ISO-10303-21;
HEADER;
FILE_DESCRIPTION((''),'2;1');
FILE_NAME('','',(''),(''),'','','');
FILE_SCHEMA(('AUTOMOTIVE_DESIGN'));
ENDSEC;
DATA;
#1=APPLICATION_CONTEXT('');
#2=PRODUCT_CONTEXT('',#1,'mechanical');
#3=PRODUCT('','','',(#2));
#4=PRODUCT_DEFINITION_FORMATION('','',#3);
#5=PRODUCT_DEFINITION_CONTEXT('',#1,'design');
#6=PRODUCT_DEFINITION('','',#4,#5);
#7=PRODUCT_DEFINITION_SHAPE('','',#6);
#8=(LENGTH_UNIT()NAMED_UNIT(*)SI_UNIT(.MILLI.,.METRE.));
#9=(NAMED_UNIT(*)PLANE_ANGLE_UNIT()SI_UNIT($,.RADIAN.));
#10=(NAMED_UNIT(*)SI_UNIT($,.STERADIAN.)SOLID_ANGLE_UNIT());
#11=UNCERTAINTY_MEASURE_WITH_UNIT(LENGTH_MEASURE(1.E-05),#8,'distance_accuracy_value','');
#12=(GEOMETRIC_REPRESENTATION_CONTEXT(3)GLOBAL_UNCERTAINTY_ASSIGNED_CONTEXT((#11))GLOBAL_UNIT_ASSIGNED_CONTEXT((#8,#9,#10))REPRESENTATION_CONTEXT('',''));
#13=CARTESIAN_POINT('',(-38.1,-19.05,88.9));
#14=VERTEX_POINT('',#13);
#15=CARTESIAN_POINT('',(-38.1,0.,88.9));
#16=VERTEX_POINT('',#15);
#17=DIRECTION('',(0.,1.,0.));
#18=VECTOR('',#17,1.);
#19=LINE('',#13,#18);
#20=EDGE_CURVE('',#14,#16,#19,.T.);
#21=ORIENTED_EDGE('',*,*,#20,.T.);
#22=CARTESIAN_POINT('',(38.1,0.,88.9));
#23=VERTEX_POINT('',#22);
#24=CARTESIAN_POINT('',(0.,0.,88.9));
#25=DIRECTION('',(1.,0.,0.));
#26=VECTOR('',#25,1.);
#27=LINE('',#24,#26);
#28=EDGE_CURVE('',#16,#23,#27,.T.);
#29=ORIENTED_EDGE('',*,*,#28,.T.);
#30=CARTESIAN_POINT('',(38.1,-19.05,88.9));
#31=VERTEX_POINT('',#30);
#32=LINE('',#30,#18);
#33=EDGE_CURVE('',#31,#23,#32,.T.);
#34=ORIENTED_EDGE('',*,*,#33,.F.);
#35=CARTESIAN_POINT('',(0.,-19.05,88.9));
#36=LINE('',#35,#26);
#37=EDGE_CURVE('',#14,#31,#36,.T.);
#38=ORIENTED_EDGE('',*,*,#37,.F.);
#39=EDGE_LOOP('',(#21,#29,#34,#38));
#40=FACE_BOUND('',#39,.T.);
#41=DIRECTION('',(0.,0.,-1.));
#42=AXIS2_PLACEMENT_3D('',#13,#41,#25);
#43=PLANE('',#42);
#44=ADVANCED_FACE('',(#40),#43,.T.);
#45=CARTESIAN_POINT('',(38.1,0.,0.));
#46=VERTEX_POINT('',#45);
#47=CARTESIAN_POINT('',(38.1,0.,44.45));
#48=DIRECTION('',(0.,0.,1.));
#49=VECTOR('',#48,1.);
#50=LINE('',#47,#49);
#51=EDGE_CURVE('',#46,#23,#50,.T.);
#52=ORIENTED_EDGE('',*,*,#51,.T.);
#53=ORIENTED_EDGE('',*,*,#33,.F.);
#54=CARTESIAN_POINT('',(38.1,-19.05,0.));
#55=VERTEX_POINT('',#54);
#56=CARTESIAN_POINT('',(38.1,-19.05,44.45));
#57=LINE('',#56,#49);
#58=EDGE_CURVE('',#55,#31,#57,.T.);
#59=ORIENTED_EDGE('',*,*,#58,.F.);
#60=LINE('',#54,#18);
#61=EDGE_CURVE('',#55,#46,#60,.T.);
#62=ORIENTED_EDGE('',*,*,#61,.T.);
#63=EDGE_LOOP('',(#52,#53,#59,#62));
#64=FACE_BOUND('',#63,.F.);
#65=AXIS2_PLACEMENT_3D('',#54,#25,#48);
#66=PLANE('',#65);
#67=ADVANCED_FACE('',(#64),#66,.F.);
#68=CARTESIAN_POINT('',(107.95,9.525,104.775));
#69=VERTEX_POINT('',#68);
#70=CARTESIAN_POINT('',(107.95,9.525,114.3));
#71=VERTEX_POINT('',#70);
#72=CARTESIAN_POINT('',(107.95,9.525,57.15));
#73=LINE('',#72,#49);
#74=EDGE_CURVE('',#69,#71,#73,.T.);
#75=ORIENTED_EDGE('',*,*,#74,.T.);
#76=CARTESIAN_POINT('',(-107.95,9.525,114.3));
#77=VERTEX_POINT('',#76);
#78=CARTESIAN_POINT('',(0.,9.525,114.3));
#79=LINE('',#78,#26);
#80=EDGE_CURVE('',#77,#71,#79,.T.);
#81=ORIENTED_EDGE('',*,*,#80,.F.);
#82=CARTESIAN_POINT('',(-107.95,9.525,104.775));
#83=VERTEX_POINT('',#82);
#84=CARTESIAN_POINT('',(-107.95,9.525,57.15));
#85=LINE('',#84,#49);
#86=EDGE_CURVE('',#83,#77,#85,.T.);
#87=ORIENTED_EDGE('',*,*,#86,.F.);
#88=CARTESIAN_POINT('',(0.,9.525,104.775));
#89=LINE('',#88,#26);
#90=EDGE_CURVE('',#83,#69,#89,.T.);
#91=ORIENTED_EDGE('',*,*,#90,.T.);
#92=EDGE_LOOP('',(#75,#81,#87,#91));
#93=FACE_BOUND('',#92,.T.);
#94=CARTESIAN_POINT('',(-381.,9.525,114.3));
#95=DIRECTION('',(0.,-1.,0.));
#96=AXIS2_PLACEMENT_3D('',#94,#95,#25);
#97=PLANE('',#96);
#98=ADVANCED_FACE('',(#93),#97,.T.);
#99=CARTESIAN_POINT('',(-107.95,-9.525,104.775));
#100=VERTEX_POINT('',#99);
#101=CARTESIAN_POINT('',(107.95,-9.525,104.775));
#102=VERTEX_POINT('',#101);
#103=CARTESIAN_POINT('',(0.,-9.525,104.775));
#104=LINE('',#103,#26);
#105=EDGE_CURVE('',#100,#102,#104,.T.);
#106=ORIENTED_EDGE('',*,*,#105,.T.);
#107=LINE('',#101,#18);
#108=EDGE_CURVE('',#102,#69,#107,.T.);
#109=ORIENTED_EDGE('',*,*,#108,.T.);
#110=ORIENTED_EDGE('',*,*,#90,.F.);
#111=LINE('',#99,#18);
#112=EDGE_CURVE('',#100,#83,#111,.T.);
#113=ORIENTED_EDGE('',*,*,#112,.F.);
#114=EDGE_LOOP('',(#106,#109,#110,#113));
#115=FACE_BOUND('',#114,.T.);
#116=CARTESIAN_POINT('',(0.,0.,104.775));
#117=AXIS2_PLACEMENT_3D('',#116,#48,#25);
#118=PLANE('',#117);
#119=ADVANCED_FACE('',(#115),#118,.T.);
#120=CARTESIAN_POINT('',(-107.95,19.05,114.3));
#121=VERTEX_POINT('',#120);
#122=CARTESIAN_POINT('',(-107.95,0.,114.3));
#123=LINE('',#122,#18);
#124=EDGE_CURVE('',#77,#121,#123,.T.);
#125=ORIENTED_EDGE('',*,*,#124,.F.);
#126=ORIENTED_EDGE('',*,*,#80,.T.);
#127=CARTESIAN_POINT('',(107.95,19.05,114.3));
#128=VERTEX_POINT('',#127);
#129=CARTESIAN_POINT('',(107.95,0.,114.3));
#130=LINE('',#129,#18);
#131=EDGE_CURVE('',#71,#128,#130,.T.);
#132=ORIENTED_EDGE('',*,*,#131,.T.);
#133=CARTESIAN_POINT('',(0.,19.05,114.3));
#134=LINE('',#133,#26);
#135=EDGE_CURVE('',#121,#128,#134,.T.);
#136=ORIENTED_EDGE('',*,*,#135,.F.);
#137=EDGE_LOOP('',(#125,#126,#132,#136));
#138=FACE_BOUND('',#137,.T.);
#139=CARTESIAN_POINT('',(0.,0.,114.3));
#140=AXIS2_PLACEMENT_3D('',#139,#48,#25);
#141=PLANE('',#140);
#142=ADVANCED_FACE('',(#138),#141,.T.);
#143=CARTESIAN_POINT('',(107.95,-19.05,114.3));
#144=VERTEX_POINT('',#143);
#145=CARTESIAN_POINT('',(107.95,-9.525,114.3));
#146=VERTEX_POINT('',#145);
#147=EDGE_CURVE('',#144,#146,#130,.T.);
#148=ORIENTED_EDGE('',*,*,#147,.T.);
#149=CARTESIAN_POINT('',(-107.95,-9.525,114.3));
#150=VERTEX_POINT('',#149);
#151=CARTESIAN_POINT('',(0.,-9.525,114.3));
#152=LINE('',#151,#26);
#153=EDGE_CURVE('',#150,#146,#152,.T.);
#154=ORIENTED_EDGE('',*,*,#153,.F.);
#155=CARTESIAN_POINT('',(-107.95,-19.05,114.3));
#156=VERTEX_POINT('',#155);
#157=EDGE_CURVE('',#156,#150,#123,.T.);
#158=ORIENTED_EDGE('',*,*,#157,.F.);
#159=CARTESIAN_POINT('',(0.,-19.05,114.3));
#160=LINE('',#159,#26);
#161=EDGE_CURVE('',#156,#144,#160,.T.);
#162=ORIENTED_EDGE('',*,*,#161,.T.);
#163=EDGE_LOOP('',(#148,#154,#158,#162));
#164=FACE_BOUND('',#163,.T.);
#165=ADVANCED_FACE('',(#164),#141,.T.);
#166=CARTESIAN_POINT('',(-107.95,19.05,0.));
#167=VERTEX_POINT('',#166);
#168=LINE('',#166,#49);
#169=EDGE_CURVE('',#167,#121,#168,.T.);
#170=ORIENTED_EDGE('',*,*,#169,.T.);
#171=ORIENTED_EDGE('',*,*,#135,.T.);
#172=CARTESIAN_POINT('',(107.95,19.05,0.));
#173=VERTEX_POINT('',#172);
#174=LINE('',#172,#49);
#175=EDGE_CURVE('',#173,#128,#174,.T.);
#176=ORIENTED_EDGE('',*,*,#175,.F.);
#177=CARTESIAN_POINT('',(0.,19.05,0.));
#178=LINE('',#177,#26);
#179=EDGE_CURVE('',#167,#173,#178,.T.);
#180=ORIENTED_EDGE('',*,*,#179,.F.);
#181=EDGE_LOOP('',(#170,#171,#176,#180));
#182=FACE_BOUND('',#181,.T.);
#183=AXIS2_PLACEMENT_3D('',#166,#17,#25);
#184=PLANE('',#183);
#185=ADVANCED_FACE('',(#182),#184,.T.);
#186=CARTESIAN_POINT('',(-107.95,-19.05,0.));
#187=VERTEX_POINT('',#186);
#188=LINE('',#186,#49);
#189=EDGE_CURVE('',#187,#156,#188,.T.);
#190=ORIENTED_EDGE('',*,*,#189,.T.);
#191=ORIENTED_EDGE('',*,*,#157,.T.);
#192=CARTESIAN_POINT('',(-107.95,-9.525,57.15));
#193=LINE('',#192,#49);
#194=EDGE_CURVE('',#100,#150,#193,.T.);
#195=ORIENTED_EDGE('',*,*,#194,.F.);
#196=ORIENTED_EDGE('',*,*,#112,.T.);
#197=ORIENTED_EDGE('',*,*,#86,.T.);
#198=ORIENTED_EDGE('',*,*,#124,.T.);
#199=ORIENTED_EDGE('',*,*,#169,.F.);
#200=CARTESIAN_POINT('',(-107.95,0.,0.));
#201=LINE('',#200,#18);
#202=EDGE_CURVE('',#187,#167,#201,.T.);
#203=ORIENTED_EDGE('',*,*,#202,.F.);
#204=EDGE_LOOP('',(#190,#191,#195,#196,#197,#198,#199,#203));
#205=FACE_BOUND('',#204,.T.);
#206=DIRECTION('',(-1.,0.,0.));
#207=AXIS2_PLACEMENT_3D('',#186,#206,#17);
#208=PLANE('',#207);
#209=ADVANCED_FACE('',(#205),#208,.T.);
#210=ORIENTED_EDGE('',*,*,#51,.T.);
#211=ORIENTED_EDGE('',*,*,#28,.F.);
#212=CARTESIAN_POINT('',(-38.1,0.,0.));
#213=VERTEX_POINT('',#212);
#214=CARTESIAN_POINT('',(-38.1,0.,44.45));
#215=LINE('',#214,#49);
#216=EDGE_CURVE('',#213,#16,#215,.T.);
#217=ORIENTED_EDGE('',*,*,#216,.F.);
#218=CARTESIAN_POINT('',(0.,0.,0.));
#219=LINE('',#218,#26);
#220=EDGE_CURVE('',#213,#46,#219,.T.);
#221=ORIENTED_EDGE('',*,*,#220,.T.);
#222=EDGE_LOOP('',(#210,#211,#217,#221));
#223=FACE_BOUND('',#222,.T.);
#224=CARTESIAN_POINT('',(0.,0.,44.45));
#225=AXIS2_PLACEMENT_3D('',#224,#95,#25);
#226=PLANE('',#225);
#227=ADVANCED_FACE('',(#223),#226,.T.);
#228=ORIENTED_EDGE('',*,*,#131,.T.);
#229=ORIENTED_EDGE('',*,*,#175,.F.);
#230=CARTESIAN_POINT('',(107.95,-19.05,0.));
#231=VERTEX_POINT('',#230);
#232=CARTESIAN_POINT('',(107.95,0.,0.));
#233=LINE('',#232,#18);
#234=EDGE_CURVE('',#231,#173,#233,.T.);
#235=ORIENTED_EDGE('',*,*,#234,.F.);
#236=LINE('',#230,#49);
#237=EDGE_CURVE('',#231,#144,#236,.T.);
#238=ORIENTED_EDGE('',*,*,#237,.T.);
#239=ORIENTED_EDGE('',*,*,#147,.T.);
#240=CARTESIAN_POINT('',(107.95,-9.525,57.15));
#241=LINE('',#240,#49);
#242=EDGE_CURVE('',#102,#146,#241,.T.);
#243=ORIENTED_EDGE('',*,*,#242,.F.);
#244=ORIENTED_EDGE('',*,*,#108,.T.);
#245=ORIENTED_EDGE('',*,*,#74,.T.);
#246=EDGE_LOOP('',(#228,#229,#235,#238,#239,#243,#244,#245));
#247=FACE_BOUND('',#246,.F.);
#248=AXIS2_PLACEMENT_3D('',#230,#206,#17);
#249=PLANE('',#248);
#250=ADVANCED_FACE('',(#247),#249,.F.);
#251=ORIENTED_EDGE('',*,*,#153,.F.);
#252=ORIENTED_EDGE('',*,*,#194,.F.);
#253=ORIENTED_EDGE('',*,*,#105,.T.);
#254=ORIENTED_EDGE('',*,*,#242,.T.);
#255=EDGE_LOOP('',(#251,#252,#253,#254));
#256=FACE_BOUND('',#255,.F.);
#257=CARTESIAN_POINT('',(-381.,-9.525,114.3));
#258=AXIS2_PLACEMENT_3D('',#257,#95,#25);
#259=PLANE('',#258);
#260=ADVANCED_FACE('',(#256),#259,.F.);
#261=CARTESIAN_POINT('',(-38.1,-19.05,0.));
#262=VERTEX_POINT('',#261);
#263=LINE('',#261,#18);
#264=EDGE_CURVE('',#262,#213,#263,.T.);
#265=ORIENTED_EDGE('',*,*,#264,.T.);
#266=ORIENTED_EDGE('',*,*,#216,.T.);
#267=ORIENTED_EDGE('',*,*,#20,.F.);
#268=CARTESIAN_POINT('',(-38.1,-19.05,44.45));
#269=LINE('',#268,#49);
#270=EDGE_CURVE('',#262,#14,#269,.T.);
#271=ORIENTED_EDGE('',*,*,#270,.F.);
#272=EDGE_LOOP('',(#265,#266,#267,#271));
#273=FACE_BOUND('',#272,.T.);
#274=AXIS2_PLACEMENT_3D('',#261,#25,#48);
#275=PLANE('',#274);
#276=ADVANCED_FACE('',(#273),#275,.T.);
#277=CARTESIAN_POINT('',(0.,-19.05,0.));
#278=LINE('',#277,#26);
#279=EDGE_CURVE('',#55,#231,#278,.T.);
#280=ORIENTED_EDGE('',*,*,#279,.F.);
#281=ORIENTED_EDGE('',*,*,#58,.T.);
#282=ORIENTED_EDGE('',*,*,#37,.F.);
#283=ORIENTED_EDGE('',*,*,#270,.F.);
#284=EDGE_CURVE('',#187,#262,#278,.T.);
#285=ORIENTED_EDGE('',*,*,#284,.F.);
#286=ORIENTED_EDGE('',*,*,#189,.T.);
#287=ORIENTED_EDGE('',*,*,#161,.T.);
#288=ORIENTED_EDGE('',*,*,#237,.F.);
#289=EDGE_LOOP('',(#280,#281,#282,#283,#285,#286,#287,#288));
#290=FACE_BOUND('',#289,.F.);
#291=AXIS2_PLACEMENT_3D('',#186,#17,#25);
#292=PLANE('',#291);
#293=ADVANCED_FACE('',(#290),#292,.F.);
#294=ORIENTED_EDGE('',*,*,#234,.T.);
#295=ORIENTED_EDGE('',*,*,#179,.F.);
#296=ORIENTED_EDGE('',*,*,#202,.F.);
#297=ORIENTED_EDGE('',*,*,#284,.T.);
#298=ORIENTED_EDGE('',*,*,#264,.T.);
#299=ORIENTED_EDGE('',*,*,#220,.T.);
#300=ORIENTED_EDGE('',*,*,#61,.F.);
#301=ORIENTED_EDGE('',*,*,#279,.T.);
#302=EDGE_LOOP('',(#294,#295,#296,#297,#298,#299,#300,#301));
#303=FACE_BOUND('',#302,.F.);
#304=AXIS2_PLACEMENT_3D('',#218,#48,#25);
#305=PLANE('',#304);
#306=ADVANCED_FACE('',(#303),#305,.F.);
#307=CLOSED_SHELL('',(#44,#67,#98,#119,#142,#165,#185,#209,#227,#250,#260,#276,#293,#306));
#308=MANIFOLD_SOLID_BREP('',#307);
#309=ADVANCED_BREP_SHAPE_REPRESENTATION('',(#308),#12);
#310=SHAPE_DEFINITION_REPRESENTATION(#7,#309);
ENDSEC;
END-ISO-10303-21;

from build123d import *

# Parameters (mm, degrees)
SKETCH_W        = 215.9
SKETCH_H        = 38.1
PAD_DEPTH       = 114.3
SKETCH001_W     = 762
SKETCH001_H     = 19.05
POCKET_DEPTH    = 9.525
SKETCH003_W     = 76.2
SKETCH003_H     = 88.9
POCKET002_DEPTH = 19.05


with BuildPart() as part:
    # Sketch → Pad (new body)
    with BuildSketch(Plane.XY):
        Rectangle(SKETCH_W, SKETCH_H)
    extrude(amount=PAD_DEPTH)

    # Sketch001 (on Face6 of Pad) → Pocket (cut)
    with BuildSketch(Plane.XY.offset(114.3)):
        Rectangle(SKETCH001_W, SKETCH001_H)
    extrude(amount=-POCKET_DEPTH, mode=Mode.SUBTRACT)

    # Sketch003 → Pocket002 (cut)
    with BuildSketch(Plane.XZ.offset(19.05)):
        with Locations((0, 44.45)):
            Rectangle(SKETCH003_W, SKETCH003_H)
    extrude(amount=-POCKET002_DEPTH, mode=Mode.SUBTRACT)


solid = part.part
